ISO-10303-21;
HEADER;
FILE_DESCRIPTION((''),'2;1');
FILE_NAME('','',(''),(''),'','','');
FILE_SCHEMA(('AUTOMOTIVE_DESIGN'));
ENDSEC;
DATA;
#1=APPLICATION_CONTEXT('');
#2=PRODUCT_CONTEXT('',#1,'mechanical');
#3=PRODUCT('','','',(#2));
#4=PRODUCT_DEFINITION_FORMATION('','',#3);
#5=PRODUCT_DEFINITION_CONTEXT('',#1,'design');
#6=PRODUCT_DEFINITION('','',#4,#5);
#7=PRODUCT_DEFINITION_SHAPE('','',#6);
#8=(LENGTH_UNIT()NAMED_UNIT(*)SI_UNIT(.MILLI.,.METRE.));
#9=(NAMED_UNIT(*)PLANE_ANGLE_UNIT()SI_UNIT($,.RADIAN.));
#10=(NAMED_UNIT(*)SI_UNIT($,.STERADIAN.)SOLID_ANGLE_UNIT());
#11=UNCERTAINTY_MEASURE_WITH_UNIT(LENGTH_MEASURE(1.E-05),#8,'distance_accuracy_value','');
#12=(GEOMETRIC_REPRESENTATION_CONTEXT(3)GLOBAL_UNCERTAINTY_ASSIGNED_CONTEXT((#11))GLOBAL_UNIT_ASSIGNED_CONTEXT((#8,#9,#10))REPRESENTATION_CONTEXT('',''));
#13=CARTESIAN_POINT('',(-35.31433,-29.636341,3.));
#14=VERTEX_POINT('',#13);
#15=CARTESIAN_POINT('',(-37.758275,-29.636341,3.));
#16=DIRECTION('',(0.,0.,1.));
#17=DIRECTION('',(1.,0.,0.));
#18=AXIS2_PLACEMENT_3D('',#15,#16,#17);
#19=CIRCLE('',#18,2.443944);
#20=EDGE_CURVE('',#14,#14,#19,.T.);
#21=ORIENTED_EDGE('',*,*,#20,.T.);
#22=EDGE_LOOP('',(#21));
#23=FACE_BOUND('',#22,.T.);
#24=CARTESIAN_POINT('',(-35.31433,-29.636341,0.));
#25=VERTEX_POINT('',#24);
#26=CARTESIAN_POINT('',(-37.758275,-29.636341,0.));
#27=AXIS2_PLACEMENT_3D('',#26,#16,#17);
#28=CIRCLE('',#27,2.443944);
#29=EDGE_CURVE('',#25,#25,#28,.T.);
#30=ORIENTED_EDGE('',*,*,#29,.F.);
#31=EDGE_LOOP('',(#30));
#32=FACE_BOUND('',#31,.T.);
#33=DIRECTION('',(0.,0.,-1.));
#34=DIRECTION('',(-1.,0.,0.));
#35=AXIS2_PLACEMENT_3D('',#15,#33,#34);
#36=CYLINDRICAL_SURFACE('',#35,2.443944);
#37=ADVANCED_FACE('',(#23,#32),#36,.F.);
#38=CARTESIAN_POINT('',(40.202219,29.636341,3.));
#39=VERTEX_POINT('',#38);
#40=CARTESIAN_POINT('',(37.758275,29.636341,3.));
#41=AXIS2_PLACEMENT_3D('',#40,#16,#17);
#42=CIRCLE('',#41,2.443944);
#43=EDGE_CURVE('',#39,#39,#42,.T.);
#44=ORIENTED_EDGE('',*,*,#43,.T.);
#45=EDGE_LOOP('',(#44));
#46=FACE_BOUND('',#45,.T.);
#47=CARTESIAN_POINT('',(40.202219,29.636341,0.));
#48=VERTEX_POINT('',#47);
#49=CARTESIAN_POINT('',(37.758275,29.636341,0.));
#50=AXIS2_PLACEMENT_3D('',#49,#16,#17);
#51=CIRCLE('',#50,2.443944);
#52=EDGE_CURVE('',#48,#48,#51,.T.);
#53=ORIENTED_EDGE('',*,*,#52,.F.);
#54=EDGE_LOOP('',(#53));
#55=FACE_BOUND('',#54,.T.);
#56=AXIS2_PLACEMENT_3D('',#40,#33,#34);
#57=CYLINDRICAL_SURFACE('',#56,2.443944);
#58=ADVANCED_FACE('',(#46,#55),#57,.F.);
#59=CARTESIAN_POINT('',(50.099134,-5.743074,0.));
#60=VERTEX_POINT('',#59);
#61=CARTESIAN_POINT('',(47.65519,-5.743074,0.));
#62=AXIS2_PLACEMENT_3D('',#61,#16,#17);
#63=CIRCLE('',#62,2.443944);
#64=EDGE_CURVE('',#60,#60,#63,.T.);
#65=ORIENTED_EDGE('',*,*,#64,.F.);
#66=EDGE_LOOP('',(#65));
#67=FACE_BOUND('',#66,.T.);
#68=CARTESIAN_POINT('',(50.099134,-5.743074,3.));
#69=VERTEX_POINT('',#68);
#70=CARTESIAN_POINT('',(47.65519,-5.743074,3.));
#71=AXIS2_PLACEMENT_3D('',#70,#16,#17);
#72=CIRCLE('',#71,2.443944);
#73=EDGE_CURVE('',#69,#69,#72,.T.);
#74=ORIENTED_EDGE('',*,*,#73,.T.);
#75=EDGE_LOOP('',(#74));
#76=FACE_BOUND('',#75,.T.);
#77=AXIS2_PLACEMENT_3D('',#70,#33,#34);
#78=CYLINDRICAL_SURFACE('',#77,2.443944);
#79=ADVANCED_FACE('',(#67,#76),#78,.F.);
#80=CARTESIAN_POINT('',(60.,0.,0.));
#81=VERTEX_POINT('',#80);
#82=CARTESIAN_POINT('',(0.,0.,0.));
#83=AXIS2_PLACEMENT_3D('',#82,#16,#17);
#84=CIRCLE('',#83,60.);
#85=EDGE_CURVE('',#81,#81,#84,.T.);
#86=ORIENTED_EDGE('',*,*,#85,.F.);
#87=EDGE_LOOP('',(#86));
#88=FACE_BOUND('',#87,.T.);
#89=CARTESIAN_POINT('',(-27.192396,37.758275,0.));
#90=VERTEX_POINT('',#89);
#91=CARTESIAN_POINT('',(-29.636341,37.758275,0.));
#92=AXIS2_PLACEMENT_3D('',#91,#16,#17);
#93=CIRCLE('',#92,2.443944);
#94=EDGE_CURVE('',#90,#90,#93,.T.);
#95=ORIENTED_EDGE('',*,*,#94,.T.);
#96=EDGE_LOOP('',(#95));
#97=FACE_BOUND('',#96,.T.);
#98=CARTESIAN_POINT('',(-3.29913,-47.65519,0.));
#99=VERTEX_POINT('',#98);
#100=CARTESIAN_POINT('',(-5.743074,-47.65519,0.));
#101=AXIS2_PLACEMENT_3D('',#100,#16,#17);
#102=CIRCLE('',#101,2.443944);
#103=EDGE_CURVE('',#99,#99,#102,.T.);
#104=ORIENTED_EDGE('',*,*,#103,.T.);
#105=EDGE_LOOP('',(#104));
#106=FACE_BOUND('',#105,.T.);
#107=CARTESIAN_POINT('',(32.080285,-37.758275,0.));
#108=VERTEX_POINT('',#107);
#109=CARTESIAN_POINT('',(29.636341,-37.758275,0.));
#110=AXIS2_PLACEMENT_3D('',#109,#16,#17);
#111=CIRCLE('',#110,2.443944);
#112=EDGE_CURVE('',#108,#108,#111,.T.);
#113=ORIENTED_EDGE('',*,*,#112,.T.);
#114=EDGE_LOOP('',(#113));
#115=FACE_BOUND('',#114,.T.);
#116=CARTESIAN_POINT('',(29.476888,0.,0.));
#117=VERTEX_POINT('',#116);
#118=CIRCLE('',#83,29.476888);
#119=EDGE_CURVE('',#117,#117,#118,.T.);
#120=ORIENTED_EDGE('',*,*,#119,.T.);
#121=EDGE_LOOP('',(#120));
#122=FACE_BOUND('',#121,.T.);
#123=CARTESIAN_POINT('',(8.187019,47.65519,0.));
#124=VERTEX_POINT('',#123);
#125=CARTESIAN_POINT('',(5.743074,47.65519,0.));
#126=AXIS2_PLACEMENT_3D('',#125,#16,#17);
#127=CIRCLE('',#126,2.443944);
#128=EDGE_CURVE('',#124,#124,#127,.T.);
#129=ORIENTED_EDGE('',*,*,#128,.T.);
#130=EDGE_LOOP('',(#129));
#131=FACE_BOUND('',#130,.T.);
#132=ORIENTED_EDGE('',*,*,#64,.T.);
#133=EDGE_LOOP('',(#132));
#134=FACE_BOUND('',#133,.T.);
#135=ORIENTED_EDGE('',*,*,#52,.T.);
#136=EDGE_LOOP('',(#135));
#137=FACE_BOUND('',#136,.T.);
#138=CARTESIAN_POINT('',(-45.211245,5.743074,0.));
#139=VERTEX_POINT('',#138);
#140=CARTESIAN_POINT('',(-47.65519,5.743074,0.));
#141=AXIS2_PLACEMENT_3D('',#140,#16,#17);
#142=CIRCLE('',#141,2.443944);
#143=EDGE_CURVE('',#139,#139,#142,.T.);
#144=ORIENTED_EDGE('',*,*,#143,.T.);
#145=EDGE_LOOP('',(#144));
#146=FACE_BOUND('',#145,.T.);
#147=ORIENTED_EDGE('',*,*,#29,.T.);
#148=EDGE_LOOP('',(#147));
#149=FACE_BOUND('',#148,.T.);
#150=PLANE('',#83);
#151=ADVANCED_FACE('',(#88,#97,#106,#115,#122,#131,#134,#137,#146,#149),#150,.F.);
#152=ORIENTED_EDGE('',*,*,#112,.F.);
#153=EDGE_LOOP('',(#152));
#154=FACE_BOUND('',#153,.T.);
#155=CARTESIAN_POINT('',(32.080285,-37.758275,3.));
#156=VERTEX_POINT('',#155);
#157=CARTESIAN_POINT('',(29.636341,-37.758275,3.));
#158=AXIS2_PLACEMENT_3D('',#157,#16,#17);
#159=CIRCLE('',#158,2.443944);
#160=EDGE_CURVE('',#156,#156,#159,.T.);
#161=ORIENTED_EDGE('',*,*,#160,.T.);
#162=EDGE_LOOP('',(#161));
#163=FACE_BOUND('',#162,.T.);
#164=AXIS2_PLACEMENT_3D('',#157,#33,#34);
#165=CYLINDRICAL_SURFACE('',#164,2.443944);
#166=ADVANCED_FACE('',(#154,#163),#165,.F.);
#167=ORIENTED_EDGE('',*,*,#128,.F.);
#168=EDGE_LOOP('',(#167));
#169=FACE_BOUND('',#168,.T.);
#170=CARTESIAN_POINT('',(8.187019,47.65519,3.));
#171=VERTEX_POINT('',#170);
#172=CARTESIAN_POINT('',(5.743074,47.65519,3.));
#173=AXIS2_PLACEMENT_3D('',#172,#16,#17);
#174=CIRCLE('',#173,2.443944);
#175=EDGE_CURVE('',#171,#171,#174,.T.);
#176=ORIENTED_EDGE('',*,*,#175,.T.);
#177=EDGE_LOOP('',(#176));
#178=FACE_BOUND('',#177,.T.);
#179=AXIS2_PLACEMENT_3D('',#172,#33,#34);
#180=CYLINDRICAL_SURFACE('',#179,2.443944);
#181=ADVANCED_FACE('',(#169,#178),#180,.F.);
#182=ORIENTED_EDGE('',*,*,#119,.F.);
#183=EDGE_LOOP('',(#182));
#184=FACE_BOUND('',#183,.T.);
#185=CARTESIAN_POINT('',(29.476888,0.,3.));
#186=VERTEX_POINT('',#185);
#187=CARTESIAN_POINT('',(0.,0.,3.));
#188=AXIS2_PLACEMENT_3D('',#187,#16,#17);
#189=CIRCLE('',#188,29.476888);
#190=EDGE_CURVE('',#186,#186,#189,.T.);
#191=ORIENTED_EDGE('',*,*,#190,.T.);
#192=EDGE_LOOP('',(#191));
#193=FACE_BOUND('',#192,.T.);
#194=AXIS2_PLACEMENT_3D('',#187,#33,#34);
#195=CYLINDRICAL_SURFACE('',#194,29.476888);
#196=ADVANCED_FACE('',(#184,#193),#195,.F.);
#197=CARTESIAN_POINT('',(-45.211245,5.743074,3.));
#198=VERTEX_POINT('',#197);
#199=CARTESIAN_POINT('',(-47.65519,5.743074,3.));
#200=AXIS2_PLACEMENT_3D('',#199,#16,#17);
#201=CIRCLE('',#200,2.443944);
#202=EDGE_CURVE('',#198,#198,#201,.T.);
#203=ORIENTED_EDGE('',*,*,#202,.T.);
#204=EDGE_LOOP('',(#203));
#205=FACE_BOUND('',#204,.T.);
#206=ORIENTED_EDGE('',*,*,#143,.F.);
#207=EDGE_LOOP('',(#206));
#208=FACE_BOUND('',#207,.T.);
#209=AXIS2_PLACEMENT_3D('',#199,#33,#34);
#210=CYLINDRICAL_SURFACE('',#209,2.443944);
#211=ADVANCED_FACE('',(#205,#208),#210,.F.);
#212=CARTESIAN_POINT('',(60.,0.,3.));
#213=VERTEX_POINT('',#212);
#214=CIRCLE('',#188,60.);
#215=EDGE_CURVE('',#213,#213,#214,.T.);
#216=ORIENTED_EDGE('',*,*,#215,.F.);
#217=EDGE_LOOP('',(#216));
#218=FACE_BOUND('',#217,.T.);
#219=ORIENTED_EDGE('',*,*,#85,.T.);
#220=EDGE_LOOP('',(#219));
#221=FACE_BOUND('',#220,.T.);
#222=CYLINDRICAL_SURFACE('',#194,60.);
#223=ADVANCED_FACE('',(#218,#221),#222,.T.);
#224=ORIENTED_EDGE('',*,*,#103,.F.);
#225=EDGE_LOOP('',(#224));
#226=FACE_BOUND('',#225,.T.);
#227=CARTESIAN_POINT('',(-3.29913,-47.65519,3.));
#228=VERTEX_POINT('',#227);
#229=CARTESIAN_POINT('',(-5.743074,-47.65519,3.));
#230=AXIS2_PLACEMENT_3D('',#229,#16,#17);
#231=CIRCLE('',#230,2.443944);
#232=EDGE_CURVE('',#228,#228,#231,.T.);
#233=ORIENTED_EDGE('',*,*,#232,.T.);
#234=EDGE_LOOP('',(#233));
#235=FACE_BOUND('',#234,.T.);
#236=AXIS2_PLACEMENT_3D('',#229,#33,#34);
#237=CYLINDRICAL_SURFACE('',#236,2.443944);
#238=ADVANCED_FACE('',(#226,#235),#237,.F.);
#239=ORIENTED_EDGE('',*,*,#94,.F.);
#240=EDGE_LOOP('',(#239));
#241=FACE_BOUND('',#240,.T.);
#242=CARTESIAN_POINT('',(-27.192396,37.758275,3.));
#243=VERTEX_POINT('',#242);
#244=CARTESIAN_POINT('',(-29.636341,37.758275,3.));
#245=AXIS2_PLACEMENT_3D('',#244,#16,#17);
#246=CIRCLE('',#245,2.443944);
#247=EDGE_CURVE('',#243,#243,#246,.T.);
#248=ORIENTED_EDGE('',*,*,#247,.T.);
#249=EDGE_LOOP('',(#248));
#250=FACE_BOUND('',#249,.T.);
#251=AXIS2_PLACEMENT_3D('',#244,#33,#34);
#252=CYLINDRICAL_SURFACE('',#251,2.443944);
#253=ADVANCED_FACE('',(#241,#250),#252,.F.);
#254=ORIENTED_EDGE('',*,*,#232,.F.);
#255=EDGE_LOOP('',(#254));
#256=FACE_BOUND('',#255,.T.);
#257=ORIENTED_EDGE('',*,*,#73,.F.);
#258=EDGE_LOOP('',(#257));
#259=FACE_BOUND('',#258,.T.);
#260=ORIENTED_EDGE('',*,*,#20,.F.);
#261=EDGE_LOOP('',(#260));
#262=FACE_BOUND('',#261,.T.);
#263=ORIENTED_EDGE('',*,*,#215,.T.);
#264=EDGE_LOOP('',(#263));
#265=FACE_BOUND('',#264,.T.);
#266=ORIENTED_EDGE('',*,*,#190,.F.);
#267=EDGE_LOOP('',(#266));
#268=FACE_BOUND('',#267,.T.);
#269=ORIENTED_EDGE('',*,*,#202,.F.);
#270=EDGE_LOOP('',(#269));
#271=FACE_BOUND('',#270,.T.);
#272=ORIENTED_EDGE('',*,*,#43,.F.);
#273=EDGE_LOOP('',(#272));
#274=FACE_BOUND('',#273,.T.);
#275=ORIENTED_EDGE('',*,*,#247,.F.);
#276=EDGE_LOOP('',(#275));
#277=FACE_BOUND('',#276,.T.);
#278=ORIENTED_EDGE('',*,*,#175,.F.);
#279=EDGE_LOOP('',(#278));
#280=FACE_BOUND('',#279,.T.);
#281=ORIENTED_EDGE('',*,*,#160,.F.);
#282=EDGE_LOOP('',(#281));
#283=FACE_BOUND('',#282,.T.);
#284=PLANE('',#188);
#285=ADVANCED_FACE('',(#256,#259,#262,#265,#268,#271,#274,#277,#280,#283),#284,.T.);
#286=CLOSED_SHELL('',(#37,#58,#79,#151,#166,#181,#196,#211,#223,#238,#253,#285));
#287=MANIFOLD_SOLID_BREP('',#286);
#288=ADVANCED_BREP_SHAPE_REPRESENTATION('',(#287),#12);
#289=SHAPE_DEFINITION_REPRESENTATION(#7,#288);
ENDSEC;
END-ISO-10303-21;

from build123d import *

# Parameters (mm, degrees)
SKETCH1_R           = 60
SKETCH1_R_2         = 29.476887992
SKETCH1_R_3         = 2.443944434
BOSS_EXTRUDE1_DEPTH = 3


with BuildPart() as part:
    # Sketch1 → Boss-Extrude1 (new body)
    with BuildSketch(Plane.XY):
        Circle(SKETCH1_R)
        Circle(SKETCH1_R_2, mode=Mode.SUBTRACT)
        with Locations((-29.63634083, 37.758274619)):
            Circle(SKETCH1_R_3, mode=Mode.SUBTRACT)
        with Locations((5.743074458, 47.6551896)):
            Circle(SKETCH1_R_3, mode=Mode.SUBTRACT)
        with Locations((37.758274619, 29.63634083)):
            Circle(SKETCH1_R_3, mode=Mode.SUBTRACT)
        with Locations((47.6551896, -5.743074458)):
            Circle(SKETCH1_R_3, mode=Mode.SUBTRACT)
        with Locations((29.63634083, -37.758274619)):
            Circle(SKETCH1_R_3, mode=Mode.SUBTRACT)
        with Locations((-5.743074458, -47.6551896)):
            Circle(SKETCH1_R_3, mode=Mode.SUBTRACT)
        with Locations((-37.758274619, -29.63634083)):
            Circle(SKETCH1_R_3, mode=Mode.SUBTRACT)
        with Locations((-47.6551896, 5.743074458)):
            Circle(SKETCH1_R_3, mode=Mode.SUBTRACT)
    extrude(amount=BOSS_EXTRUDE1_DEPTH)


solid = part.part
